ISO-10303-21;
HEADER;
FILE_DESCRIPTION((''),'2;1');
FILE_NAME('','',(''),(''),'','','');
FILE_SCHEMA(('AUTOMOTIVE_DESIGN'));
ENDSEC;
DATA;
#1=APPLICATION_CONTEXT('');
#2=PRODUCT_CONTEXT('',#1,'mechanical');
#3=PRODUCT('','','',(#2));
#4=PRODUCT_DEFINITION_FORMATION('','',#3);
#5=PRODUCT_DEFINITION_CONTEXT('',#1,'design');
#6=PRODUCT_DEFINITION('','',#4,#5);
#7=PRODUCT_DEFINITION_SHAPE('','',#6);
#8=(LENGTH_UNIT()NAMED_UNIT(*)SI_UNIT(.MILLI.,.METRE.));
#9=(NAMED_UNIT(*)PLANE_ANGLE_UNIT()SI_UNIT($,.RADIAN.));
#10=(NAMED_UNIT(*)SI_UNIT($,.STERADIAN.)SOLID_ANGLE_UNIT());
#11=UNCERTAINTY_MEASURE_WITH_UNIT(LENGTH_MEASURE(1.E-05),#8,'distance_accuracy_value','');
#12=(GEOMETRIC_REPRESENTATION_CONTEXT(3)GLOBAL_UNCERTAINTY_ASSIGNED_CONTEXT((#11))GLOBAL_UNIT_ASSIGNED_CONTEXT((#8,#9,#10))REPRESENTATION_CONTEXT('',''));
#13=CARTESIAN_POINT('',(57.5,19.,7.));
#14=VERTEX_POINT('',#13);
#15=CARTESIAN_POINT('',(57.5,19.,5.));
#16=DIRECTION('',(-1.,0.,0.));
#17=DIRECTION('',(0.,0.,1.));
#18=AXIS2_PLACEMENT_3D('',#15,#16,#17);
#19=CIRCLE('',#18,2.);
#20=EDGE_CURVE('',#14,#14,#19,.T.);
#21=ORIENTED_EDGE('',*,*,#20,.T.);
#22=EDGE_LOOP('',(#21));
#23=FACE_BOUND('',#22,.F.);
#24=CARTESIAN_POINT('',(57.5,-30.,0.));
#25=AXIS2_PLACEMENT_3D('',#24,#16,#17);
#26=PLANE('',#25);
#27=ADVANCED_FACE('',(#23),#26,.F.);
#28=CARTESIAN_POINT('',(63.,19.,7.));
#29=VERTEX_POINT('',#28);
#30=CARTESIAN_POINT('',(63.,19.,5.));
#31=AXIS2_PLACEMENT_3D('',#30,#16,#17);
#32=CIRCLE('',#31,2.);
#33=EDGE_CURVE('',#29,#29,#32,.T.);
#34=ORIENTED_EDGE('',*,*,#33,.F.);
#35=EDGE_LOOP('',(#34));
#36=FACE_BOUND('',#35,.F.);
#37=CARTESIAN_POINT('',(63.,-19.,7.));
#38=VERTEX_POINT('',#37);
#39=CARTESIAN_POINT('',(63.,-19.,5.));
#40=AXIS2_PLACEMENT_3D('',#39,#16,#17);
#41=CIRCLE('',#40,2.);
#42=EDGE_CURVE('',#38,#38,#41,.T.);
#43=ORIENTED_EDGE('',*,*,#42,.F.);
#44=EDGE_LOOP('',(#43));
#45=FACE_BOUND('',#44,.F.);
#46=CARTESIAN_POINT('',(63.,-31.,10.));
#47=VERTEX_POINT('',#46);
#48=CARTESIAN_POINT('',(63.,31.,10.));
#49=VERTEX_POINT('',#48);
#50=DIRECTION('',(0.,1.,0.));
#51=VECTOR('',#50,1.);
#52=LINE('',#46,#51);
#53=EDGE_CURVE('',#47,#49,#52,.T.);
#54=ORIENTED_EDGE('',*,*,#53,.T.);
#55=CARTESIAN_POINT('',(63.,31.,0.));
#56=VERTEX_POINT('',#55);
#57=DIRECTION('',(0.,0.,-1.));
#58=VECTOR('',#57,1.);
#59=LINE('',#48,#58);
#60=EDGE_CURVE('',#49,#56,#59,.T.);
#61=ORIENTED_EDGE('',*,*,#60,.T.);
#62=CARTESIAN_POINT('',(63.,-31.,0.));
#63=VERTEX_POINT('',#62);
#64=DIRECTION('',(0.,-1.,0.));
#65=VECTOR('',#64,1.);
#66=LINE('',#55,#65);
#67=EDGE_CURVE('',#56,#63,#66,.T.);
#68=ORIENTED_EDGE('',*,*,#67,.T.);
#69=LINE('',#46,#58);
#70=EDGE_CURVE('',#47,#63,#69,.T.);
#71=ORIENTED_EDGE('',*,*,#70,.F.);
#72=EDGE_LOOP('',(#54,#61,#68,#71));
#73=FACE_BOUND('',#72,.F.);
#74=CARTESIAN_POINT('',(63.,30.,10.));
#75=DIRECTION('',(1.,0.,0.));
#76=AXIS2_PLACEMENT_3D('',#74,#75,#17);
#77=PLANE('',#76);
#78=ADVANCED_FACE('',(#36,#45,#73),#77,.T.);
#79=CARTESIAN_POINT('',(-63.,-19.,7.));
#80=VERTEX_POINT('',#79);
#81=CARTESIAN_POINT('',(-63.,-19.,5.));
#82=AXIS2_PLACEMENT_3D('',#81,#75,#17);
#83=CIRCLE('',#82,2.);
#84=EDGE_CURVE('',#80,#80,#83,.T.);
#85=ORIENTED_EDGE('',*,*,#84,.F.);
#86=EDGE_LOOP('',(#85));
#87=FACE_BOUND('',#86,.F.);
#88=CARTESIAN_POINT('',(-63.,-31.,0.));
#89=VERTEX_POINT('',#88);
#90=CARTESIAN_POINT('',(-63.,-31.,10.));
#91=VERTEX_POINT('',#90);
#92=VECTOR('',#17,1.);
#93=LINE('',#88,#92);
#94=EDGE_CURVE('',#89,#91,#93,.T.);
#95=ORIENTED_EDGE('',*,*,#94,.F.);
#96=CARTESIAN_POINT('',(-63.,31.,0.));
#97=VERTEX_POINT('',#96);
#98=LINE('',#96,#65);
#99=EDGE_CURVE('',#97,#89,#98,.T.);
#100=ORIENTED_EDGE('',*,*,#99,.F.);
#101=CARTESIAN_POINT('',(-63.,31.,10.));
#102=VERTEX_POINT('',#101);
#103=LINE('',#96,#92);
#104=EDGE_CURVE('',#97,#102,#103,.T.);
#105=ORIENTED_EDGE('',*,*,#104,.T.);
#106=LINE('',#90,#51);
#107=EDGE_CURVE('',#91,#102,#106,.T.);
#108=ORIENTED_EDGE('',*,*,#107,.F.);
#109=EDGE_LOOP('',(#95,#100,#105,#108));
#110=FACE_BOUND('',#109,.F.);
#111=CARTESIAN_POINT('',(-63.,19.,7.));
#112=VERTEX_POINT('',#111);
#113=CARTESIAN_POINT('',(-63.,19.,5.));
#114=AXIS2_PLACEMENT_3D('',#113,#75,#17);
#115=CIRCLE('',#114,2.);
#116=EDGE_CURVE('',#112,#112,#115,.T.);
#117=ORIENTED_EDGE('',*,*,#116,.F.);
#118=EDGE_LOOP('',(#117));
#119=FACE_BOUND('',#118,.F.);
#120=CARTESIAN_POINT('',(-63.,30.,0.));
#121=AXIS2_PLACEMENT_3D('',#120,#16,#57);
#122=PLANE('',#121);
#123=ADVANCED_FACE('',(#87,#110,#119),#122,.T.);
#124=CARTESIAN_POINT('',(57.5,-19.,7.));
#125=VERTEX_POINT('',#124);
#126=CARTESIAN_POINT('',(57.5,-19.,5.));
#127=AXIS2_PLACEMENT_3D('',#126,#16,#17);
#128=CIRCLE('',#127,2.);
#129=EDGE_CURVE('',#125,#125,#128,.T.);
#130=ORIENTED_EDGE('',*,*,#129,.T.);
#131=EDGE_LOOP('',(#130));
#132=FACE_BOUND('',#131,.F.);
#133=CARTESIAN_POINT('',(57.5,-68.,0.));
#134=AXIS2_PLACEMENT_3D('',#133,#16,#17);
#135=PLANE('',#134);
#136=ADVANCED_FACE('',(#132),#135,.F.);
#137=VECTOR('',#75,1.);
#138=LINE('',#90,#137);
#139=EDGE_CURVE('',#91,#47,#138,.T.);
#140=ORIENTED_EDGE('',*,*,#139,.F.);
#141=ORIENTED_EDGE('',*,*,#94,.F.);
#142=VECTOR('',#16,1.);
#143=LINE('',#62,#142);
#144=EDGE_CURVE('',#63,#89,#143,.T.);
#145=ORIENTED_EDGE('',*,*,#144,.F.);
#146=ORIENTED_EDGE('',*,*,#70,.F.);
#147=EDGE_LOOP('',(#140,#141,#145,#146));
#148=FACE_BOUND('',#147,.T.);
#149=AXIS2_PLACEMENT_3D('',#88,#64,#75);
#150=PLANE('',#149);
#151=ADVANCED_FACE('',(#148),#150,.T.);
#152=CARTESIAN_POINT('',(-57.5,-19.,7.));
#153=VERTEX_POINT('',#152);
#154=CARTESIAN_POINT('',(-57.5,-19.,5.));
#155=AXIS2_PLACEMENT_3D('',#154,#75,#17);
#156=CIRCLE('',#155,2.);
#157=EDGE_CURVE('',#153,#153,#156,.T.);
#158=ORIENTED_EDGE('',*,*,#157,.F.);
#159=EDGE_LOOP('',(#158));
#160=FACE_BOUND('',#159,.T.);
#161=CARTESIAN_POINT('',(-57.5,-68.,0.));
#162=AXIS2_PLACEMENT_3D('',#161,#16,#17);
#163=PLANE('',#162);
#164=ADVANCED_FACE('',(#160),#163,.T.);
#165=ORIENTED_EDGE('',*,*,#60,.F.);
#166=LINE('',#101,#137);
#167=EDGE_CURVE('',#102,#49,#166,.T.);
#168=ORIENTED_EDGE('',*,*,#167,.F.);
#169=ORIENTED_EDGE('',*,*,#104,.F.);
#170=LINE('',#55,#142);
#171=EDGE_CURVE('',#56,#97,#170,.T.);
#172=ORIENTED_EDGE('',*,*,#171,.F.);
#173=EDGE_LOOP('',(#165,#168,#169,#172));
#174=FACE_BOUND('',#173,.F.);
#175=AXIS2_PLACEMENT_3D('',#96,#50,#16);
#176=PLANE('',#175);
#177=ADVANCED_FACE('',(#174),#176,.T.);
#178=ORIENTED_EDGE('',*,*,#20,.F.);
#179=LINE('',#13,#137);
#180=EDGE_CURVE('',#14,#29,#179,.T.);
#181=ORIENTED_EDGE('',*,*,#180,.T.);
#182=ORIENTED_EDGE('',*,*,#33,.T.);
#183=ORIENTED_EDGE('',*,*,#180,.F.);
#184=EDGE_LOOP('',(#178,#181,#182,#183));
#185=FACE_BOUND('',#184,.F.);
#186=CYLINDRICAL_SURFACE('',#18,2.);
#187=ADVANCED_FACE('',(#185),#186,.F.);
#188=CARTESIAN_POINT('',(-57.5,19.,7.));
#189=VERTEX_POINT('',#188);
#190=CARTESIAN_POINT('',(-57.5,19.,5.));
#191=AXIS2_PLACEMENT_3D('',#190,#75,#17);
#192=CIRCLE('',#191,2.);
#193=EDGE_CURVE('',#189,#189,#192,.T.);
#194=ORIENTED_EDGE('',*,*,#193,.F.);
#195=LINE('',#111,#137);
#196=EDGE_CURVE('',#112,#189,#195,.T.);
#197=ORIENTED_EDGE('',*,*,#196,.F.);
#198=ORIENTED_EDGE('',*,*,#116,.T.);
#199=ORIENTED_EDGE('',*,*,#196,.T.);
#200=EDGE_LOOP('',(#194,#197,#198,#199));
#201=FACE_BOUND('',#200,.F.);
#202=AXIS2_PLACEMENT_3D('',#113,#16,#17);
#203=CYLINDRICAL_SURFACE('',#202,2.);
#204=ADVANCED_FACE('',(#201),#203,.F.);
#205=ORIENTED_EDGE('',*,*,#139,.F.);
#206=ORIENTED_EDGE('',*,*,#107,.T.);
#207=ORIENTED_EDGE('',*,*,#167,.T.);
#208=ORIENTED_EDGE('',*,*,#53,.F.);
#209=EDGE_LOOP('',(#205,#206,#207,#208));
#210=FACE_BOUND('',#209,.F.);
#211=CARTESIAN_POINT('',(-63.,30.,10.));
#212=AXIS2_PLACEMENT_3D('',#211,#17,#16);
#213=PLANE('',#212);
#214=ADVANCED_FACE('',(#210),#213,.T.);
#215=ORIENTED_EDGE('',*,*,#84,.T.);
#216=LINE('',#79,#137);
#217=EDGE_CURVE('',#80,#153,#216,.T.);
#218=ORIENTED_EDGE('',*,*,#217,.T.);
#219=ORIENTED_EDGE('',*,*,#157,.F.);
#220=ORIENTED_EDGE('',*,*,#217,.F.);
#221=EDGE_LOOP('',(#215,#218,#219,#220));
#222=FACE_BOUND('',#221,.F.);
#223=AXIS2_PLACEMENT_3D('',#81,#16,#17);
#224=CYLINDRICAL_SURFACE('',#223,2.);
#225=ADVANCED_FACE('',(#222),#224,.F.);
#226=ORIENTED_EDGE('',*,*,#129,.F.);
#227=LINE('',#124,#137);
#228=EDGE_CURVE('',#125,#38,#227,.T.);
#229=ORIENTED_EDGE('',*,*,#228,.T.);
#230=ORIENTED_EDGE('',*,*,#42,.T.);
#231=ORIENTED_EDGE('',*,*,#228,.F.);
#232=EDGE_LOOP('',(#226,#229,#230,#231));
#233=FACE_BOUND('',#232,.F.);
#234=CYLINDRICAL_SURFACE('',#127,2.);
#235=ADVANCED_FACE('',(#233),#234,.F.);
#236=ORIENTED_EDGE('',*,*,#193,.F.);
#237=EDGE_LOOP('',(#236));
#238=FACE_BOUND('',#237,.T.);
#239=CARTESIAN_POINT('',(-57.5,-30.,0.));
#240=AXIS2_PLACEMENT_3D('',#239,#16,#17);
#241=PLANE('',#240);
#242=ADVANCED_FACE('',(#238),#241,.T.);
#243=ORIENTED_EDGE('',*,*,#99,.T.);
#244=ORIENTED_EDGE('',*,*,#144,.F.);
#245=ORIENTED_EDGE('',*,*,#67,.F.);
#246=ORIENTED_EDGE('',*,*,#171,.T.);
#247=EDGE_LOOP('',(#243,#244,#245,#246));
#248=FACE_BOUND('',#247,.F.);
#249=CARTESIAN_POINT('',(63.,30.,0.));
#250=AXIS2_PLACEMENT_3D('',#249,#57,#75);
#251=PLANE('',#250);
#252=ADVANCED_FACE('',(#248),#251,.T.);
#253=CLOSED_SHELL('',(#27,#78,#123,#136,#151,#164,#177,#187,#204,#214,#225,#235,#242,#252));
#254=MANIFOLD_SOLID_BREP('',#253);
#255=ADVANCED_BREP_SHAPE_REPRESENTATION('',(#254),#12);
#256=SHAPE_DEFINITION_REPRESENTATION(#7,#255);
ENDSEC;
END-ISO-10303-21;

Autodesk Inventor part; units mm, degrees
ref_plane "YZ Plane" through (0, 0, 0) normal (1, 0, 0) x (0, 1, 0)
ref_plane "XZ Plane" through (0, 0, 0) normal (0, 1, 0) x (-1, 0, 0)
ref_plane "XY Plane" through (0, 0, 0) normal (0, 0, 1) x (1, 0, 0)
sketch "Sketch1" plane through (0, 0, 0) normal (0, 0, 1) x (1, 0, 0)
  line L0 (-63, 30) -> (63, 30)
  line L1 (63, 30) -> (63, -30)
  line L2 (63, -30) -> (-63, -30)
  line L3 (-63, -30) -> (-63, 30)
  line L4 (-63, 30) -> (63, -30) construction
  line L5 (63, 30) -> (-63, -30) construction
  line L6 (-63, 30) -> (63, 30) construction
  point P0 (0, 0)
  dimension "d0" = 126
  dimension "d1" = 0
  dimension "d2" = 60
extrude "Extrusion1" add sketch "Sketch1" along normal blind 10
sketch "Sketch2" plane through (-63, -30, 0) normal (-1, 0, 0) x (0, 0, 1)
  line L0 (0, 60) -> (10, 60) projected
  line L1 (5, 60) -> (5, 49)
  circle A0 centre (5, 49) radius 2
  point P0 (0, 30)
  dimension "d5" = 11
  dimension "d6" = 4
extrude "Extrusion2" cut sketch "Sketch2" against normal blind 5.5
pattern_linear "Rectangular Pattern1" count 2 spacing 120.5 along (1, 0, 0) count 2 spacing -38 along (0, 1, 0) of "Extrusion2"
ref_plane "Work Plane1" through (-63, 0, 0) normal (0, 1, 0) x (1, 0, 0)
sketch "Sketch3" plane through (-63, -30, 0) normal (0, -1, 0) x (1, 0, 0)
  line L0 (0, 0) -> (0, 10) projected
  line L1 (126, 0) -> (0, 0) projected
  line L2 (0, 10) -> (126, 10)
  line L3 (126, 10) -> (126, 0)
  line L4 (126, 0) -> (0, 0)
  line L5 (0, 0) -> (0, 10)
  point P0 (63, 0)
extrude "Extrusion3" add sketch "Sketch3" along normal blind 1
mirror "Mirror1" about plane through (-63, 0, 0) normal (0, 1, 0) of "Extrusion3"
properties part number "basetemplate"
